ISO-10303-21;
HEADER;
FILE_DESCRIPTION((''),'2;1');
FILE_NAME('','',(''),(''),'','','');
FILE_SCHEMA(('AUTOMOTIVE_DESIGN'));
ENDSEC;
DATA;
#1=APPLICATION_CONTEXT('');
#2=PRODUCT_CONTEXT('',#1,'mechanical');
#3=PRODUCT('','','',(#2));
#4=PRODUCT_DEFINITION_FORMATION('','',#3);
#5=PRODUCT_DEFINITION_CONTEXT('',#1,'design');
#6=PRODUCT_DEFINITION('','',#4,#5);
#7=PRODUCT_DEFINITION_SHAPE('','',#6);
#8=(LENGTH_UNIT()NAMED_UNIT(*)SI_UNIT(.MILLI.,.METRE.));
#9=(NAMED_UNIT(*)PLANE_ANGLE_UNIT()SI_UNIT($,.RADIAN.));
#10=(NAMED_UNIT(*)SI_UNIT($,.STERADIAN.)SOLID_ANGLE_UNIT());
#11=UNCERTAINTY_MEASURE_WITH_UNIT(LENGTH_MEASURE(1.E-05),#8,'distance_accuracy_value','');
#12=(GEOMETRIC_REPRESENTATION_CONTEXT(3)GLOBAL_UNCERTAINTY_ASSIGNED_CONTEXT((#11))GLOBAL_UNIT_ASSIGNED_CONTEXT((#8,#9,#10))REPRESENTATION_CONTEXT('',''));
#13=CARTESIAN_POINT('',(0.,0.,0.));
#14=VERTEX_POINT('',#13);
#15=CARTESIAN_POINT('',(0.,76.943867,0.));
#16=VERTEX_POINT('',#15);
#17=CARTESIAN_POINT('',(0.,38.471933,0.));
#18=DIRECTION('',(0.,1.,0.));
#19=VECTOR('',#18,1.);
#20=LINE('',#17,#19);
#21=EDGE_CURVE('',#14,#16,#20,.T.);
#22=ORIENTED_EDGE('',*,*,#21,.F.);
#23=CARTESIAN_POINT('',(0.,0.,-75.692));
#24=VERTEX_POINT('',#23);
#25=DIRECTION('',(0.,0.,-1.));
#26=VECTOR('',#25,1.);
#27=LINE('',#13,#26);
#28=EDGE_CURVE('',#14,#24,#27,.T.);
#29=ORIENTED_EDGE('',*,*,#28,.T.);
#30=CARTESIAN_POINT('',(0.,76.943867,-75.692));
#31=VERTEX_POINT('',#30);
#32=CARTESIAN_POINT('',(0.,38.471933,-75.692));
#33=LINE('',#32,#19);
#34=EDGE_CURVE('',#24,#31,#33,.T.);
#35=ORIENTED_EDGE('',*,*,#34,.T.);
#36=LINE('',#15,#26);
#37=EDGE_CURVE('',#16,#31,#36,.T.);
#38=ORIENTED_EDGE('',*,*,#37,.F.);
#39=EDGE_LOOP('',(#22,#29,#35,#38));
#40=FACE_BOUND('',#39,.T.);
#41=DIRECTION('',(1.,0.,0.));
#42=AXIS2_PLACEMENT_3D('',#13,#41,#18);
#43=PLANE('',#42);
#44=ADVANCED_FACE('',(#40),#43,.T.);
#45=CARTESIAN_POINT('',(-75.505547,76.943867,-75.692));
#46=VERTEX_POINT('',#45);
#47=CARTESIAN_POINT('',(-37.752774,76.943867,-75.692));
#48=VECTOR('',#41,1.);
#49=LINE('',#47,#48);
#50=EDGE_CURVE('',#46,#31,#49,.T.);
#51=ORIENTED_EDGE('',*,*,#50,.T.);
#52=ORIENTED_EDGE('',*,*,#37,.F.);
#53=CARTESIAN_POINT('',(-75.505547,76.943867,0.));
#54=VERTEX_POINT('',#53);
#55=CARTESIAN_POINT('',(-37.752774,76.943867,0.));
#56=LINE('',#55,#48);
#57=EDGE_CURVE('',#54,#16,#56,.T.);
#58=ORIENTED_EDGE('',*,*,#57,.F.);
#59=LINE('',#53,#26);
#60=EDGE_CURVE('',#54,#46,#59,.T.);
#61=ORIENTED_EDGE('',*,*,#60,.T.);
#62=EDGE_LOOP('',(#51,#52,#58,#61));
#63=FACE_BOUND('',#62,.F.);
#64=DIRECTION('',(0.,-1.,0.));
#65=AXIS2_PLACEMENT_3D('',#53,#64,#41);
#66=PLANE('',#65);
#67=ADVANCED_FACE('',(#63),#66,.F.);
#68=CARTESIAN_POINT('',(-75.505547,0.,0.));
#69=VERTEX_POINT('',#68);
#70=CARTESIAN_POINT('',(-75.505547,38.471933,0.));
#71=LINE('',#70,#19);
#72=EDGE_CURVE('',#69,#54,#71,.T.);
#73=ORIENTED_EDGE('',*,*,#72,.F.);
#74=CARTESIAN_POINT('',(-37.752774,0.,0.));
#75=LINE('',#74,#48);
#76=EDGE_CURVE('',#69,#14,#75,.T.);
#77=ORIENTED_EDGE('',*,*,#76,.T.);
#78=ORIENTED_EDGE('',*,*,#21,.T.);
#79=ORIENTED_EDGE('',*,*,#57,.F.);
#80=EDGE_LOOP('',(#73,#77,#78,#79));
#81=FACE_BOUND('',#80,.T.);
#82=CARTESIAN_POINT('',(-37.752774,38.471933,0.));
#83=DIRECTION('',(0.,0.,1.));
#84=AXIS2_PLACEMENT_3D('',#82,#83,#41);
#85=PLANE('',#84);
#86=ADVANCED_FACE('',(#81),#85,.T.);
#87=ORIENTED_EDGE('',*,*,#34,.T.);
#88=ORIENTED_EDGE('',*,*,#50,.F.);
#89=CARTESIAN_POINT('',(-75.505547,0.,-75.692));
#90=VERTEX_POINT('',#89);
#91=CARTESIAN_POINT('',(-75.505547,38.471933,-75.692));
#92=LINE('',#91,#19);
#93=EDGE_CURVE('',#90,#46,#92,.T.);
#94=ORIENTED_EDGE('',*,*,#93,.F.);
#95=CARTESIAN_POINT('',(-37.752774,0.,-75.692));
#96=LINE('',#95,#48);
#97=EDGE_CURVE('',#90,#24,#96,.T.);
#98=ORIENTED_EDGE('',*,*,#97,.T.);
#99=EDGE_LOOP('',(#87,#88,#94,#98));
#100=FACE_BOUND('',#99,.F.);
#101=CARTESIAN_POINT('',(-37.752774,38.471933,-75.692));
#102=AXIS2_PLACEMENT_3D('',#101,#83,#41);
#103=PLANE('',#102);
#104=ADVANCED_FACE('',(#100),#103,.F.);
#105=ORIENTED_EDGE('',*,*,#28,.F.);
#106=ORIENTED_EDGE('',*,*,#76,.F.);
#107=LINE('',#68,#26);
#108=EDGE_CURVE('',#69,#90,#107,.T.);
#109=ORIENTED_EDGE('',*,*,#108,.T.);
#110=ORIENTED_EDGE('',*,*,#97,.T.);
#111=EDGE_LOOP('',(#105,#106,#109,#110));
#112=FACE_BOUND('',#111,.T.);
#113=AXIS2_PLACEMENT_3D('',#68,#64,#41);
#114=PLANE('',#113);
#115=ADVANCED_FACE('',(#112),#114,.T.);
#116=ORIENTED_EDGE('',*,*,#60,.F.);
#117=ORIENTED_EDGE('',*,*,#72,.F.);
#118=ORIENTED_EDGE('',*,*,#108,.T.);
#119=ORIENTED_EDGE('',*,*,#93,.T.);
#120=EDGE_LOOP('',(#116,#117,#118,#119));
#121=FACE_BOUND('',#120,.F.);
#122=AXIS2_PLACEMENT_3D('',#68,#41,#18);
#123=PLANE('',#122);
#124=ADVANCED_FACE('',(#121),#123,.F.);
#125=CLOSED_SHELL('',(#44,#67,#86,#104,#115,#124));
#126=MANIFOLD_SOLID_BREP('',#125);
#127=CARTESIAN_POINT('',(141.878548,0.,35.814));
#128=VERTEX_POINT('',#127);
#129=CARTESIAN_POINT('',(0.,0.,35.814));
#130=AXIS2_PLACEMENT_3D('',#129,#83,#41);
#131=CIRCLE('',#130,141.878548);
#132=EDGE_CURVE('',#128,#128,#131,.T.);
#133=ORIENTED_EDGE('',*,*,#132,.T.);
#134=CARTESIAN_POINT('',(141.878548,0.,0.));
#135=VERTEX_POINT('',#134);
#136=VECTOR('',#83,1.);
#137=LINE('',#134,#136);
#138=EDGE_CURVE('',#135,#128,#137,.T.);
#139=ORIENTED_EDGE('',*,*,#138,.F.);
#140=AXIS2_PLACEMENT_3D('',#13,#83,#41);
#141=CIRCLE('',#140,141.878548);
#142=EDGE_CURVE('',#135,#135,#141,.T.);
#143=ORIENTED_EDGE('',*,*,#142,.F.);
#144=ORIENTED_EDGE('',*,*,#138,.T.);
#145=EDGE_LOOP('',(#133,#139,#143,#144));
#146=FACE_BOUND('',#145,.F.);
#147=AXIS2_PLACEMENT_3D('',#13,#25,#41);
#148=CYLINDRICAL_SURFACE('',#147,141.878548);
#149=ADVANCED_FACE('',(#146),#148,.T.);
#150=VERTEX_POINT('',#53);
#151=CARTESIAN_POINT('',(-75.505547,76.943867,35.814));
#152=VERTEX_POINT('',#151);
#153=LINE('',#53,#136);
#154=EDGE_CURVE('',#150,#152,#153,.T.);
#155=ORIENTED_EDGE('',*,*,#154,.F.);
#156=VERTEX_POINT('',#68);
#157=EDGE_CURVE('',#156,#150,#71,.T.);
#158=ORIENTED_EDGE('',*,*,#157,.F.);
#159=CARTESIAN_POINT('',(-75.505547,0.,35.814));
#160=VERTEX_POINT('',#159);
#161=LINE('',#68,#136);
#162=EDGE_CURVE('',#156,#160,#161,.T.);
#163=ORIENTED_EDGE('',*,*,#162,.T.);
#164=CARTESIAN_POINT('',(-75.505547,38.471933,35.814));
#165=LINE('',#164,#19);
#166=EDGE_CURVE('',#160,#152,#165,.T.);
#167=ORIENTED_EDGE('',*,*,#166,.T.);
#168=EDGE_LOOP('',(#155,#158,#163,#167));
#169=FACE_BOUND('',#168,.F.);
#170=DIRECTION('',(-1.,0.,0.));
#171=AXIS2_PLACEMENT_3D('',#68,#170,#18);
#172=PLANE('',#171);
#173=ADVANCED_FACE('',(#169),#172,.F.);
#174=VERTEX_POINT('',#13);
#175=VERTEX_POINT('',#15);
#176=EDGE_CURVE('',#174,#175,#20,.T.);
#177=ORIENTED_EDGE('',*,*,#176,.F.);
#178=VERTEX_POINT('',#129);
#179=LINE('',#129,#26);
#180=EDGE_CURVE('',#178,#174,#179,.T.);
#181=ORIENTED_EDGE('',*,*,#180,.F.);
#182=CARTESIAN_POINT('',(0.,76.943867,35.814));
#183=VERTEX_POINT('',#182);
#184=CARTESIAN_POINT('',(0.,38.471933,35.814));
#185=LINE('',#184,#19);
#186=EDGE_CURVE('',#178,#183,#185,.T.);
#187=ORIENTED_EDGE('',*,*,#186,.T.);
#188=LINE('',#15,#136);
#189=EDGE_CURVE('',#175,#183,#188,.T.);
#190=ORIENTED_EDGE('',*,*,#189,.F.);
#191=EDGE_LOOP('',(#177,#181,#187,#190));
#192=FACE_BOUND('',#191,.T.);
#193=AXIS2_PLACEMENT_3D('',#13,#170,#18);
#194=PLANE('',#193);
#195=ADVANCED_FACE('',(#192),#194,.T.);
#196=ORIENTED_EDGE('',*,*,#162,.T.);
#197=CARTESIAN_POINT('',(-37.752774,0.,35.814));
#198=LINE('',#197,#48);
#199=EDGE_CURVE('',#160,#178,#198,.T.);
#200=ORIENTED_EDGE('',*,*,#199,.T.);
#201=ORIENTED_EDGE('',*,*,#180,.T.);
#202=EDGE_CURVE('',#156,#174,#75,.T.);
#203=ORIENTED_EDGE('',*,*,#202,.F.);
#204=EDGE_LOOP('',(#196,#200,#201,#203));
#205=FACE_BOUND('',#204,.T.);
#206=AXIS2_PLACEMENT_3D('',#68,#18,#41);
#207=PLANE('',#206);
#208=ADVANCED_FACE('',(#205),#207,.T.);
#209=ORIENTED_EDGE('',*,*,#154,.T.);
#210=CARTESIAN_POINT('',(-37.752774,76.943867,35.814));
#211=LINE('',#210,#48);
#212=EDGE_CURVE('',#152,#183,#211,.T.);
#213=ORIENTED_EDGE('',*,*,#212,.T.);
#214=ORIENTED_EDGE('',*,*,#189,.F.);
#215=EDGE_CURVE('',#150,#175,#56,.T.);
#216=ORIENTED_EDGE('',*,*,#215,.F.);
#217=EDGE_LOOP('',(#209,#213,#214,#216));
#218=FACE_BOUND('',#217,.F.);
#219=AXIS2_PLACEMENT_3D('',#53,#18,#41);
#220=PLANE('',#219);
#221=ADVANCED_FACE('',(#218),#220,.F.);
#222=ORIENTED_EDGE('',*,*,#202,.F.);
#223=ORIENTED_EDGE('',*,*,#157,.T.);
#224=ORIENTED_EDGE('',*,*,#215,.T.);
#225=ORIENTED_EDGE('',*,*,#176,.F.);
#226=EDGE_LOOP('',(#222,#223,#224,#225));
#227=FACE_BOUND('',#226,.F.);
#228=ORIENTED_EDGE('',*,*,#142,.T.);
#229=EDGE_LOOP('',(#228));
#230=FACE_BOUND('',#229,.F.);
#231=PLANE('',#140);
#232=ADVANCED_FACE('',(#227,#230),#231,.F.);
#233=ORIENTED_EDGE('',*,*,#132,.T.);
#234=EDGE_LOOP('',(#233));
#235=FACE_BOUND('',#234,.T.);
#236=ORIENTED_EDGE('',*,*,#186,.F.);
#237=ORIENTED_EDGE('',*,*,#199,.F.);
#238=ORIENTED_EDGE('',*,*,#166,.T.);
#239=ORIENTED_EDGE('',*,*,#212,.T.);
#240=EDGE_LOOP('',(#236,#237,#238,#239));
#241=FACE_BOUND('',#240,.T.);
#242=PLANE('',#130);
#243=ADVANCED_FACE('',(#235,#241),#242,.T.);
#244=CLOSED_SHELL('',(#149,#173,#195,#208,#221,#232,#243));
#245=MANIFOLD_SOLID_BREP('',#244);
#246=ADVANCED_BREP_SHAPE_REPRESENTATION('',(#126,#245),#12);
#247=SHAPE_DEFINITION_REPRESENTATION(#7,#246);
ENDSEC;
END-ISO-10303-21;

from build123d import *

# Parameters (mm, degrees)
F0_W     = 75.5055472255
F0_H     = 76.9438669086
F1_DEPTH = 75.692
F2_R     = 141.8785482935
F2_W     = 75.5055472255
F2_H     = 76.9438669086
F3_DEPTH = 35.814
F4_W     = 74.154779315
F4_H     = 76.2271508574
F5_DEPTH = 25.4


with BuildPart() as f1:
    # F0 (on Top) → F1 (new body)
    with BuildSketch(Plane.XY):
        with Locations((-37.7527736127, 38.4719334543)):
            Rectangle(F0_W, F0_H)
    extrude(amount=-F1_DEPTH)



with BuildPart() as f3:
    # F2 (on face) → F3 (new body)
    with BuildSketch(Plane.XY):
        Circle(F2_R)
        with Locations((-37.7527736127, 38.4719334543)):
            Rectangle(F2_W, F2_H, mode=Mode.SUBTRACT)
    extrude(amount=F3_DEPTH)


with BuildPart() as f1_1:
    add(f1.part)

    add(f3.part)  # F5 merges F3
    # F4 (on face) → F5 (join)
    with BuildSketch(Plane(origin=(0, 0, 0), x_dir=(1, 0, 0), z_dir=(0, 0, -1))):
        Polygon((-75.5055472255, 0), (0, 0), (0, 76.2271508574), (-75.5516588688, 76.2271508574), (-75.5516588688, 0), align=None)
        with Locations((37.0773896575, 38.1135754287)):
            Rectangle(F4_W, F4_H)
    extrude(amount=-F5_DEPTH)


solid = f1_1.part
